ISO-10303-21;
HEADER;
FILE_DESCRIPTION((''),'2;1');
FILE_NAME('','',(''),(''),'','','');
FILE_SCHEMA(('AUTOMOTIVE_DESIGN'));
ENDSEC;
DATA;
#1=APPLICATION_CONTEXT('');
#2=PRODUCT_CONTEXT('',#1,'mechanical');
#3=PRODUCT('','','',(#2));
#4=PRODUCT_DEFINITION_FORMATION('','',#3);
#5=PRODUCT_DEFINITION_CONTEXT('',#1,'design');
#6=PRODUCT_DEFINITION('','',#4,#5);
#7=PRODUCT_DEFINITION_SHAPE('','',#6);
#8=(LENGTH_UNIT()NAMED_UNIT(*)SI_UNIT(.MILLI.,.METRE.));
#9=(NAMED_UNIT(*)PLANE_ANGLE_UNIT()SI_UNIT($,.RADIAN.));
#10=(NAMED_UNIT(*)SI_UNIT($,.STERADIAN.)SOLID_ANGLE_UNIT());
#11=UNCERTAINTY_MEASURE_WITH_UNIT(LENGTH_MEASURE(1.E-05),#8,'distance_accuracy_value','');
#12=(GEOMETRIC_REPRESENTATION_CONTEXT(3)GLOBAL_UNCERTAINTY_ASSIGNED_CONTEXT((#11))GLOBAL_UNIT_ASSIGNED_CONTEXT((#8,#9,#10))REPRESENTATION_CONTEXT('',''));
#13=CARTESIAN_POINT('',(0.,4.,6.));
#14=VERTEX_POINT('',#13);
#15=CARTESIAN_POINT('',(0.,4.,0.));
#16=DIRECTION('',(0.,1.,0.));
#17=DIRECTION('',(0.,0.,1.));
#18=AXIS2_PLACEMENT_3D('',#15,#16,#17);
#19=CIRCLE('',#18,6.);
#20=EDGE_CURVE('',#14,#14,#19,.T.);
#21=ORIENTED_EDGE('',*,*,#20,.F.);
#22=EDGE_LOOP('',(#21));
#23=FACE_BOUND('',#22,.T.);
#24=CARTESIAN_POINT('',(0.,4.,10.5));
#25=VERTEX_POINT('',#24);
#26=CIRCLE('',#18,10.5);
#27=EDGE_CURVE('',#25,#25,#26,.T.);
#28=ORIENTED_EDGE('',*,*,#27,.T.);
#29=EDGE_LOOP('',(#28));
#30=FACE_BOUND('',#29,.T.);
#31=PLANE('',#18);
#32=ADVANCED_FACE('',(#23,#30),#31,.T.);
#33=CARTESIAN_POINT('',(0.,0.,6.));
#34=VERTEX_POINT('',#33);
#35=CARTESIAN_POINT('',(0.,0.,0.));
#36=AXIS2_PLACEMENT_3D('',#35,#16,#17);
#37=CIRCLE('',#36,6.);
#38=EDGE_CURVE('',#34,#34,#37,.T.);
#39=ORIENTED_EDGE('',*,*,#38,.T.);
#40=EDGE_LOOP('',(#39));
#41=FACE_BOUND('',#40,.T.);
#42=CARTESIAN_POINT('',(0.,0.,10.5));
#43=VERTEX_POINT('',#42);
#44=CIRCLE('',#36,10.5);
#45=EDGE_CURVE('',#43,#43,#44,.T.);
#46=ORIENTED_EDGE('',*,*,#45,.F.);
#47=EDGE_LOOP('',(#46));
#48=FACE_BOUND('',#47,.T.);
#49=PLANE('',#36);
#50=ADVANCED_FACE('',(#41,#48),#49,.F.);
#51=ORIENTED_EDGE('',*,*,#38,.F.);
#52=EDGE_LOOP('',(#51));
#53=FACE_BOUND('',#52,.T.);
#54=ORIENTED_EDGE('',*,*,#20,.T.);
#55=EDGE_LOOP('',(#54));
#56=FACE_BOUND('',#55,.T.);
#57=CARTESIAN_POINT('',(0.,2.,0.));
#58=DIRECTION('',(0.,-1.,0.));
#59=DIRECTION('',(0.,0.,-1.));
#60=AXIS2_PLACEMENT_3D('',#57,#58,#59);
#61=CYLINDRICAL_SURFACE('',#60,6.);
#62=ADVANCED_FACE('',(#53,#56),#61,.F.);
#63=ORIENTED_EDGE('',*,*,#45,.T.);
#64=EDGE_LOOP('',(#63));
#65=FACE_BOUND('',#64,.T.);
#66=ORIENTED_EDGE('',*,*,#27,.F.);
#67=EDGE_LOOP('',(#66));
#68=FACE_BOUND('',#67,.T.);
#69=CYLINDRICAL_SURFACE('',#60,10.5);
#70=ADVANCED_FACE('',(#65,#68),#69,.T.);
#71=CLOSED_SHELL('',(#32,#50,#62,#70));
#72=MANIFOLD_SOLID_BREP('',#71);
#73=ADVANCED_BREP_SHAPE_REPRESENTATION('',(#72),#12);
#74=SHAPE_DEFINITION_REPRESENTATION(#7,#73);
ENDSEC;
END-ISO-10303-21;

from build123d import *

# Parameters (mm, degrees)
SKETCH_1_R      = 10.5
SKETCH_1_R_2    = 6
EXTRUDE_1_DEPTH = 2
SKETCH_2_R      = 10.5
SKETCH_2_R_2    = 6
EXTRUDE_2_DEPTH = 2


with BuildPart() as part:
    # 草图1 → 凸台-拉伸1 (new body)
    with BuildSketch(Plane(origin=(0, 0, 0), x_dir=(1, 0, 0), z_dir=(0, 1, 0))):
        with Locations(Location((0, 0, 0), (0, 0, 270))):
            Circle(SKETCH_1_R)
        with Locations(Location((0, 0, 0), (0, 0, 270))):
            Circle(SKETCH_1_R_2, mode=Mode.SUBTRACT)
    extrude(amount=EXTRUDE_1_DEPTH)

    # 草图2 → 凸台-拉伸2 (add)
    with BuildSketch(Plane(origin=(0, 2, 0), x_dir=(1, 0, 0), z_dir=(0, 1, 0))):
        with Locations(Location((0, 0, 0), (0, 0, 270))):
            Circle(SKETCH_2_R)
        with Locations(Location((0, 0, 0), (0, 0, 270))):
            Circle(SKETCH_2_R_2, mode=Mode.SUBTRACT)
    extrude(amount=EXTRUDE_2_DEPTH)


solid = part.part
